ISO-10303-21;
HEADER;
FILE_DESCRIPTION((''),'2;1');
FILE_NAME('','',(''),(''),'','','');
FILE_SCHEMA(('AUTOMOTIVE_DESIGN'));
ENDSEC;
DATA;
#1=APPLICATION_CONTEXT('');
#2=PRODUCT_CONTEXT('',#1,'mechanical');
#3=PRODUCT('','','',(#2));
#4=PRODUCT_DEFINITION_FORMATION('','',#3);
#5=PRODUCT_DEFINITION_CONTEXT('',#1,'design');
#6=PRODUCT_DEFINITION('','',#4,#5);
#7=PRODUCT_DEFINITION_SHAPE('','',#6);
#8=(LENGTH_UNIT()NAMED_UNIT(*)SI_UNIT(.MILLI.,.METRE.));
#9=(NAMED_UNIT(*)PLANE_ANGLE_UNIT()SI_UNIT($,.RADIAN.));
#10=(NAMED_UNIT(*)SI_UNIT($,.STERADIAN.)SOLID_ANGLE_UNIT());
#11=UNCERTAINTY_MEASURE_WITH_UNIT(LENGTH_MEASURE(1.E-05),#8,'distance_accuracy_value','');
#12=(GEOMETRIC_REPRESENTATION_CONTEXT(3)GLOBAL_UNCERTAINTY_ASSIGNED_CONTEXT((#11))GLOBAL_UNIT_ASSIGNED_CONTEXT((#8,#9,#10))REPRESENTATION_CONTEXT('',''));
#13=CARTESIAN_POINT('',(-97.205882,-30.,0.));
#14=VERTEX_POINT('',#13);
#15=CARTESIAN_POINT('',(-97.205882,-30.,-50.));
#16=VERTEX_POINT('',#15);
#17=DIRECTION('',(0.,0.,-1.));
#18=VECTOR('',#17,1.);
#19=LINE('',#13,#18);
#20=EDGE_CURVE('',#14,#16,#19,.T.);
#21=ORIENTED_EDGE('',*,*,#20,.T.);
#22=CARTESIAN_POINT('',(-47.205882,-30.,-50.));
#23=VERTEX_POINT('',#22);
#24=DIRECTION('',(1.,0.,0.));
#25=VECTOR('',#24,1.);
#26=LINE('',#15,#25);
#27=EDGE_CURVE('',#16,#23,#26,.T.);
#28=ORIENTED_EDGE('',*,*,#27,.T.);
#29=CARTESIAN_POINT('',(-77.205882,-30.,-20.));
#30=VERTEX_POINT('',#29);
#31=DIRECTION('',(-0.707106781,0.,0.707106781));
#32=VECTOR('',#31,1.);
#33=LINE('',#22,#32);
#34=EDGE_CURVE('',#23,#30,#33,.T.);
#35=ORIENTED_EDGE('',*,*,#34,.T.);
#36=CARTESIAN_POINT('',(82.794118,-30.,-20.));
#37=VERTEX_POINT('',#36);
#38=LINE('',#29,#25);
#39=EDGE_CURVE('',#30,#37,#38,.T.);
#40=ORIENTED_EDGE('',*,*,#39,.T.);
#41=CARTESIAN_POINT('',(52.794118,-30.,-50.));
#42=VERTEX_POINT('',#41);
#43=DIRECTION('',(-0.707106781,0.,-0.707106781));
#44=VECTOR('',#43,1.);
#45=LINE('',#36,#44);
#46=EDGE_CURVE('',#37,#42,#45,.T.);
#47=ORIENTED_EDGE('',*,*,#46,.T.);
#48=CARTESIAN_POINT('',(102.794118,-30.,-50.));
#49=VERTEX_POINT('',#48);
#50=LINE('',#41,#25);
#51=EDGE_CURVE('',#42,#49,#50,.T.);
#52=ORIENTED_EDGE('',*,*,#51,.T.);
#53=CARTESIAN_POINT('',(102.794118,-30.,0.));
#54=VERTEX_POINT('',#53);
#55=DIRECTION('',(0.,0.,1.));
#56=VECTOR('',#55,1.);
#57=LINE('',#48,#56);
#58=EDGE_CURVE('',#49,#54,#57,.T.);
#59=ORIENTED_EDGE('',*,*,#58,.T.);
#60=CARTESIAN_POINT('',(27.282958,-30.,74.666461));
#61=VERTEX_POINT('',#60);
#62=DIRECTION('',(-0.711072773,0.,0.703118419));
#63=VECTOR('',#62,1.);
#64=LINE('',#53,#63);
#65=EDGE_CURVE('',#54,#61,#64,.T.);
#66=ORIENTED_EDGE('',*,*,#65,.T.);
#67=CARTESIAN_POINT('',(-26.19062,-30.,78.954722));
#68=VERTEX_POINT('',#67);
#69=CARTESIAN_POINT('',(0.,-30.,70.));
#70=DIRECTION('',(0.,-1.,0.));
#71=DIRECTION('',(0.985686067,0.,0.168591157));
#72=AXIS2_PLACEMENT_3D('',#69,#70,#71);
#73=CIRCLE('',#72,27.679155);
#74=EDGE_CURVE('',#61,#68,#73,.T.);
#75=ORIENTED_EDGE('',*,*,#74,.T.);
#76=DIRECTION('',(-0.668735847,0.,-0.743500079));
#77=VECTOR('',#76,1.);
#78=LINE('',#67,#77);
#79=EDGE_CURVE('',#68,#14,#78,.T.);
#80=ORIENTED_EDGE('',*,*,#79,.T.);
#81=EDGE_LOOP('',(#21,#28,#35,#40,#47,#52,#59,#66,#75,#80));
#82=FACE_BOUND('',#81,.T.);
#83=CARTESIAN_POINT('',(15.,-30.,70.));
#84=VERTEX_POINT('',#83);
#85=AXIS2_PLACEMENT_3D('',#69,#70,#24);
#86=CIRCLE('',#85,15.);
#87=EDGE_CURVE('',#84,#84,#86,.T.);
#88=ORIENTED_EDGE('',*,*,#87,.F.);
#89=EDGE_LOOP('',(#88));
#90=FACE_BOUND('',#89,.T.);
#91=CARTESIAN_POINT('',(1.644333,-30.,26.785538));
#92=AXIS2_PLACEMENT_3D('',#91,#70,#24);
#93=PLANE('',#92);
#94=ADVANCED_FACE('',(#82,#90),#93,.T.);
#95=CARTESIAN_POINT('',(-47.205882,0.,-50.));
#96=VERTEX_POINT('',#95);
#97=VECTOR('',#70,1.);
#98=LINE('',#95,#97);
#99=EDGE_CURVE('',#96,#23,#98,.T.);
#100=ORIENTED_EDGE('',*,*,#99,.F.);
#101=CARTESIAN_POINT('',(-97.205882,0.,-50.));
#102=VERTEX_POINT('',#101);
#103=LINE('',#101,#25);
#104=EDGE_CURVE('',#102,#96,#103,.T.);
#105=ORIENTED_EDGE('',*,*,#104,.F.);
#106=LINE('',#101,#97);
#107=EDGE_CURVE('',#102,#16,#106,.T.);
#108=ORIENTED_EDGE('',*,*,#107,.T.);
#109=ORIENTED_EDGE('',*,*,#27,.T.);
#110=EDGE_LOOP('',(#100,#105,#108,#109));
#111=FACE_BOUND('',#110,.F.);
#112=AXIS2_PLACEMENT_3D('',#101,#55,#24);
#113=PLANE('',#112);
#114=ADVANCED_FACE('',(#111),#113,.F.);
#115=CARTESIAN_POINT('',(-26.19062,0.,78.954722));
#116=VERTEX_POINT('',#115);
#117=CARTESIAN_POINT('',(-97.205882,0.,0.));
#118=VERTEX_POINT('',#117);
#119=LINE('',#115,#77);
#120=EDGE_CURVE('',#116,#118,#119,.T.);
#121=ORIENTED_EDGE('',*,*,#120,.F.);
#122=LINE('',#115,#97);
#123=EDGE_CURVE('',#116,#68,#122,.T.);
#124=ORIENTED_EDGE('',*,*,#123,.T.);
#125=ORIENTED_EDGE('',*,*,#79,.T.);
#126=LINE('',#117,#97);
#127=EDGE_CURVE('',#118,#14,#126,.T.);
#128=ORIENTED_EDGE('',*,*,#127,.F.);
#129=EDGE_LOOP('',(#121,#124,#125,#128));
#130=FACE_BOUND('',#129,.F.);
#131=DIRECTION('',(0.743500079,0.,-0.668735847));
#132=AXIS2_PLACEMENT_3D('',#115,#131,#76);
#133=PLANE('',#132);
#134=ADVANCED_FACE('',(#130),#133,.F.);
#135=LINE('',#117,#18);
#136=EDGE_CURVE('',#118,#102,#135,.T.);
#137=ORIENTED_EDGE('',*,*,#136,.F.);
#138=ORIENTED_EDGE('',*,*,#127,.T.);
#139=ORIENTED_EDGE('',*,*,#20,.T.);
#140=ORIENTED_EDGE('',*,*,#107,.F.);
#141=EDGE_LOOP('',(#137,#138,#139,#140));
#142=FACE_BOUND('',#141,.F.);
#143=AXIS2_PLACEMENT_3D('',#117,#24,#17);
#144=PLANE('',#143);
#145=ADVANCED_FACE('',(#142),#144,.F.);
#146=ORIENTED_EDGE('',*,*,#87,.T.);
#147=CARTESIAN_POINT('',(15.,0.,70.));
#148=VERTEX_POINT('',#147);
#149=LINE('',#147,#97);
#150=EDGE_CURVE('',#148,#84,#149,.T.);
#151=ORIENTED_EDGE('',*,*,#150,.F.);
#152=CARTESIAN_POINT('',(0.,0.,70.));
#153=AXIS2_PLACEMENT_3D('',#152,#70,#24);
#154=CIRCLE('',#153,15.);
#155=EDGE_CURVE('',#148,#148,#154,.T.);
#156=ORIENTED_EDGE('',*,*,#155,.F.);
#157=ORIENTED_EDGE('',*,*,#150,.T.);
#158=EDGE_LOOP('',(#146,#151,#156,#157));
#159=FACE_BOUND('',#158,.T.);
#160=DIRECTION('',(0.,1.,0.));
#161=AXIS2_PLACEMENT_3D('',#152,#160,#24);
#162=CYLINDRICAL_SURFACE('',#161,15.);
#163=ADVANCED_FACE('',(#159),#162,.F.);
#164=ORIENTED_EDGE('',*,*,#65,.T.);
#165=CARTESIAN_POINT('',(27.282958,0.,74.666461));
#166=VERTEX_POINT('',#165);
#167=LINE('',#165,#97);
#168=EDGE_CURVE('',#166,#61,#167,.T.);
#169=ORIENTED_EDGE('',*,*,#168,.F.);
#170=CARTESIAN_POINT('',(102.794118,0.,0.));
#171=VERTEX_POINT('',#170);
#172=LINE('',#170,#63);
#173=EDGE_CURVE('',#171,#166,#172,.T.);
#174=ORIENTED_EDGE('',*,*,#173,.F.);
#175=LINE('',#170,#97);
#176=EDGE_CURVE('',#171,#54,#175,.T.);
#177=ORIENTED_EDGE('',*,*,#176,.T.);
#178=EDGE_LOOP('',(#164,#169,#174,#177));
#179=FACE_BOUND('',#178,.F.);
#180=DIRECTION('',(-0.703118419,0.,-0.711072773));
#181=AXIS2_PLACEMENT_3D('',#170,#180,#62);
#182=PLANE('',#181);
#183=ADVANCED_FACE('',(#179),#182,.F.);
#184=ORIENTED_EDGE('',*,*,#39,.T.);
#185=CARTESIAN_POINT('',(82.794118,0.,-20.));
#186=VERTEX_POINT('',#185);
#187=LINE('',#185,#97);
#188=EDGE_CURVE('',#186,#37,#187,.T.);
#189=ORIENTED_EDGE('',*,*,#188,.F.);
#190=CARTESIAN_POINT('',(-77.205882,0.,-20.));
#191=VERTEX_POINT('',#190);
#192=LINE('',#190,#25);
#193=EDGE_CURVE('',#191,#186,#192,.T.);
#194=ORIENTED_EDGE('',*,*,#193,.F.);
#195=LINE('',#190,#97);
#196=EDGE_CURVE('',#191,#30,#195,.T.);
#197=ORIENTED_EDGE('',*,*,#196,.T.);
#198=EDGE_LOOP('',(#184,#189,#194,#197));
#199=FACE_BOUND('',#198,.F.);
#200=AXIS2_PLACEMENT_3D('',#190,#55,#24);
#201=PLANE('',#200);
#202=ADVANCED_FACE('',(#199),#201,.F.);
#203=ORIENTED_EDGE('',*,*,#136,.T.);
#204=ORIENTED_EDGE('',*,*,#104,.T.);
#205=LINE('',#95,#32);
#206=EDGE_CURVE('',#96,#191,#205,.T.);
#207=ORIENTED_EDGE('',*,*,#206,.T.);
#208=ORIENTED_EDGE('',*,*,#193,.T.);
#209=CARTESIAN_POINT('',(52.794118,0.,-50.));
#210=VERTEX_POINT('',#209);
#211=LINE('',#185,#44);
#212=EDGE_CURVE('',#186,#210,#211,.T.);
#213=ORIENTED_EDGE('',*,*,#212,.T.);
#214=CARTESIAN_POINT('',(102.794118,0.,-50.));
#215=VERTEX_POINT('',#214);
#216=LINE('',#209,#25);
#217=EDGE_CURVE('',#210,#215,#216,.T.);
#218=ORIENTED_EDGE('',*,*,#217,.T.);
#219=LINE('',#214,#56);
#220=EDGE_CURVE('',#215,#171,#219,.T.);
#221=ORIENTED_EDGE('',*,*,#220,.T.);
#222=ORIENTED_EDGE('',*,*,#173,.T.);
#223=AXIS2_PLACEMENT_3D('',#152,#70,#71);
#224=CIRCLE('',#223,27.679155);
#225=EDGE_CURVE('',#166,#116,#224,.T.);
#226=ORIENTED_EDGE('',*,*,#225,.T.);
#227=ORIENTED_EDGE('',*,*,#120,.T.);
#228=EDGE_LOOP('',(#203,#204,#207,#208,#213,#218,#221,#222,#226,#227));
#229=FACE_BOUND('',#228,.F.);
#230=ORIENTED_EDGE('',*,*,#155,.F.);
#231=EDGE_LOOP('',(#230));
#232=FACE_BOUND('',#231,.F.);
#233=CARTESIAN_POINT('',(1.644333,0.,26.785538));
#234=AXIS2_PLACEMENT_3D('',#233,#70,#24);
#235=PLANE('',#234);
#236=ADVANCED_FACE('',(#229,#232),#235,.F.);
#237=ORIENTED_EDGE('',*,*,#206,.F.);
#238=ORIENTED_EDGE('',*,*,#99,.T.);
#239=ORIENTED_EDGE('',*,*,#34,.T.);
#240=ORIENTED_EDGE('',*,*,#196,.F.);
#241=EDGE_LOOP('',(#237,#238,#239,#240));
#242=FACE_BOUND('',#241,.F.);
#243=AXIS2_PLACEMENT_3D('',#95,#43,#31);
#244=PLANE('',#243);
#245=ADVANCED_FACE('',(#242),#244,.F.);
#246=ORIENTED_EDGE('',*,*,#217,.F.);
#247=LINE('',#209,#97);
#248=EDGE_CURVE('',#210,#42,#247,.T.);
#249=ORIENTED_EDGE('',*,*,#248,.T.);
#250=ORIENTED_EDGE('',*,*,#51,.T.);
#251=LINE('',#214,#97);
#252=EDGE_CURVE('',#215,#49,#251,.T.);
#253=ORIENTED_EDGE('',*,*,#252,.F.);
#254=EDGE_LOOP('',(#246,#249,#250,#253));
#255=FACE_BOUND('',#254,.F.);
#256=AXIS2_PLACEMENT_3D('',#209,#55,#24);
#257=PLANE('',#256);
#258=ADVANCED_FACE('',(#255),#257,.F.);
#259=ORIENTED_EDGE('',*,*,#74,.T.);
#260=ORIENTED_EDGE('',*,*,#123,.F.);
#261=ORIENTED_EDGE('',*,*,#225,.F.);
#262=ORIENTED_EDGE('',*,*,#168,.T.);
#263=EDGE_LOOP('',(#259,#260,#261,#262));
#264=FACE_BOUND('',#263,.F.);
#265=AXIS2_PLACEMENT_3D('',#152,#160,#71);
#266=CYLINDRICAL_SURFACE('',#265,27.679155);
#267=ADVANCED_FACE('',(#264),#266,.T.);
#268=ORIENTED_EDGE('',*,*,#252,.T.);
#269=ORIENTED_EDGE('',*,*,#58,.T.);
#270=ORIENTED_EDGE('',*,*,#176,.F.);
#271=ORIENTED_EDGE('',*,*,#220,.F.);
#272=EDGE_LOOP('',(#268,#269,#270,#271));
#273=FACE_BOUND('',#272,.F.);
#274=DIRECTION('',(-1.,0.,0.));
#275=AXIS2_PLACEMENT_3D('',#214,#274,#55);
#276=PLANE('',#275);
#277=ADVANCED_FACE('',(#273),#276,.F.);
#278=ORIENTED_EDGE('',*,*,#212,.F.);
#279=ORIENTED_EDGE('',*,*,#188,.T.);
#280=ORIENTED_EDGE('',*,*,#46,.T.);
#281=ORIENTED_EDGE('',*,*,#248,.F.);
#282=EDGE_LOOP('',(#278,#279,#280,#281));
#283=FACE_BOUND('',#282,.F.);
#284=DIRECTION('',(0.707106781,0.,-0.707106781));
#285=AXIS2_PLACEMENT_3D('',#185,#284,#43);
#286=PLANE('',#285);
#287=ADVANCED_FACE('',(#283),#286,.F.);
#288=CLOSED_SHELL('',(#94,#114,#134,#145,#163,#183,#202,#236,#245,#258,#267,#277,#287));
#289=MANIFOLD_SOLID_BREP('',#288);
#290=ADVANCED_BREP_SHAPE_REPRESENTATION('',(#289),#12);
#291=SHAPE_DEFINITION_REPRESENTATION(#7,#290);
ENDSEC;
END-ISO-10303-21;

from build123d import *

# Parameters (mm, degrees)
F0_R     = 15
F1_DEPTH = 30


with BuildPart() as f1:
    # F0 (on Front) → F1 (new body)
    with BuildSketch(Plane.XZ):
        with BuildLine():
            Line((-26.19062, 78.954722), (-97.205882, 0))
            Line((-97.205882, 0), (102.794118, 0))
            Line((102.794118, 0), (27.282958, 74.666461))
            ThreePointArc((27.282958, 74.666461), (27.579928, 72.341625), (27.679155, 70))
            ThreePointArc((27.679155, 70), (-4.538799, 42.695514), (-26.19062, 78.954722))
        make_face()
        Polygon((102.794118, 0), (-97.205882, 0), (-97.205882, -50), (-47.205882, -50), (-77.205882, -20), (82.794118, -20), (52.794118, -50), (102.794118, -50), align=None)
        with BuildLine():
            ThreePointArc((27.282958, 74.666461), (2.2126, 97.590579), (-26.19062, 78.954722))
            ThreePointArc((-26.19062, 78.954722), (-4.538799, 42.695514), (27.679155, 70))
            ThreePointArc((27.679155, 70), (27.579928, 72.341625), (27.282958, 74.666461))
        make_face()
        with Locations((0, 70)):
            Circle(F0_R, mode=Mode.SUBTRACT)
    extrude(amount=F1_DEPTH)


solid = f1.part
